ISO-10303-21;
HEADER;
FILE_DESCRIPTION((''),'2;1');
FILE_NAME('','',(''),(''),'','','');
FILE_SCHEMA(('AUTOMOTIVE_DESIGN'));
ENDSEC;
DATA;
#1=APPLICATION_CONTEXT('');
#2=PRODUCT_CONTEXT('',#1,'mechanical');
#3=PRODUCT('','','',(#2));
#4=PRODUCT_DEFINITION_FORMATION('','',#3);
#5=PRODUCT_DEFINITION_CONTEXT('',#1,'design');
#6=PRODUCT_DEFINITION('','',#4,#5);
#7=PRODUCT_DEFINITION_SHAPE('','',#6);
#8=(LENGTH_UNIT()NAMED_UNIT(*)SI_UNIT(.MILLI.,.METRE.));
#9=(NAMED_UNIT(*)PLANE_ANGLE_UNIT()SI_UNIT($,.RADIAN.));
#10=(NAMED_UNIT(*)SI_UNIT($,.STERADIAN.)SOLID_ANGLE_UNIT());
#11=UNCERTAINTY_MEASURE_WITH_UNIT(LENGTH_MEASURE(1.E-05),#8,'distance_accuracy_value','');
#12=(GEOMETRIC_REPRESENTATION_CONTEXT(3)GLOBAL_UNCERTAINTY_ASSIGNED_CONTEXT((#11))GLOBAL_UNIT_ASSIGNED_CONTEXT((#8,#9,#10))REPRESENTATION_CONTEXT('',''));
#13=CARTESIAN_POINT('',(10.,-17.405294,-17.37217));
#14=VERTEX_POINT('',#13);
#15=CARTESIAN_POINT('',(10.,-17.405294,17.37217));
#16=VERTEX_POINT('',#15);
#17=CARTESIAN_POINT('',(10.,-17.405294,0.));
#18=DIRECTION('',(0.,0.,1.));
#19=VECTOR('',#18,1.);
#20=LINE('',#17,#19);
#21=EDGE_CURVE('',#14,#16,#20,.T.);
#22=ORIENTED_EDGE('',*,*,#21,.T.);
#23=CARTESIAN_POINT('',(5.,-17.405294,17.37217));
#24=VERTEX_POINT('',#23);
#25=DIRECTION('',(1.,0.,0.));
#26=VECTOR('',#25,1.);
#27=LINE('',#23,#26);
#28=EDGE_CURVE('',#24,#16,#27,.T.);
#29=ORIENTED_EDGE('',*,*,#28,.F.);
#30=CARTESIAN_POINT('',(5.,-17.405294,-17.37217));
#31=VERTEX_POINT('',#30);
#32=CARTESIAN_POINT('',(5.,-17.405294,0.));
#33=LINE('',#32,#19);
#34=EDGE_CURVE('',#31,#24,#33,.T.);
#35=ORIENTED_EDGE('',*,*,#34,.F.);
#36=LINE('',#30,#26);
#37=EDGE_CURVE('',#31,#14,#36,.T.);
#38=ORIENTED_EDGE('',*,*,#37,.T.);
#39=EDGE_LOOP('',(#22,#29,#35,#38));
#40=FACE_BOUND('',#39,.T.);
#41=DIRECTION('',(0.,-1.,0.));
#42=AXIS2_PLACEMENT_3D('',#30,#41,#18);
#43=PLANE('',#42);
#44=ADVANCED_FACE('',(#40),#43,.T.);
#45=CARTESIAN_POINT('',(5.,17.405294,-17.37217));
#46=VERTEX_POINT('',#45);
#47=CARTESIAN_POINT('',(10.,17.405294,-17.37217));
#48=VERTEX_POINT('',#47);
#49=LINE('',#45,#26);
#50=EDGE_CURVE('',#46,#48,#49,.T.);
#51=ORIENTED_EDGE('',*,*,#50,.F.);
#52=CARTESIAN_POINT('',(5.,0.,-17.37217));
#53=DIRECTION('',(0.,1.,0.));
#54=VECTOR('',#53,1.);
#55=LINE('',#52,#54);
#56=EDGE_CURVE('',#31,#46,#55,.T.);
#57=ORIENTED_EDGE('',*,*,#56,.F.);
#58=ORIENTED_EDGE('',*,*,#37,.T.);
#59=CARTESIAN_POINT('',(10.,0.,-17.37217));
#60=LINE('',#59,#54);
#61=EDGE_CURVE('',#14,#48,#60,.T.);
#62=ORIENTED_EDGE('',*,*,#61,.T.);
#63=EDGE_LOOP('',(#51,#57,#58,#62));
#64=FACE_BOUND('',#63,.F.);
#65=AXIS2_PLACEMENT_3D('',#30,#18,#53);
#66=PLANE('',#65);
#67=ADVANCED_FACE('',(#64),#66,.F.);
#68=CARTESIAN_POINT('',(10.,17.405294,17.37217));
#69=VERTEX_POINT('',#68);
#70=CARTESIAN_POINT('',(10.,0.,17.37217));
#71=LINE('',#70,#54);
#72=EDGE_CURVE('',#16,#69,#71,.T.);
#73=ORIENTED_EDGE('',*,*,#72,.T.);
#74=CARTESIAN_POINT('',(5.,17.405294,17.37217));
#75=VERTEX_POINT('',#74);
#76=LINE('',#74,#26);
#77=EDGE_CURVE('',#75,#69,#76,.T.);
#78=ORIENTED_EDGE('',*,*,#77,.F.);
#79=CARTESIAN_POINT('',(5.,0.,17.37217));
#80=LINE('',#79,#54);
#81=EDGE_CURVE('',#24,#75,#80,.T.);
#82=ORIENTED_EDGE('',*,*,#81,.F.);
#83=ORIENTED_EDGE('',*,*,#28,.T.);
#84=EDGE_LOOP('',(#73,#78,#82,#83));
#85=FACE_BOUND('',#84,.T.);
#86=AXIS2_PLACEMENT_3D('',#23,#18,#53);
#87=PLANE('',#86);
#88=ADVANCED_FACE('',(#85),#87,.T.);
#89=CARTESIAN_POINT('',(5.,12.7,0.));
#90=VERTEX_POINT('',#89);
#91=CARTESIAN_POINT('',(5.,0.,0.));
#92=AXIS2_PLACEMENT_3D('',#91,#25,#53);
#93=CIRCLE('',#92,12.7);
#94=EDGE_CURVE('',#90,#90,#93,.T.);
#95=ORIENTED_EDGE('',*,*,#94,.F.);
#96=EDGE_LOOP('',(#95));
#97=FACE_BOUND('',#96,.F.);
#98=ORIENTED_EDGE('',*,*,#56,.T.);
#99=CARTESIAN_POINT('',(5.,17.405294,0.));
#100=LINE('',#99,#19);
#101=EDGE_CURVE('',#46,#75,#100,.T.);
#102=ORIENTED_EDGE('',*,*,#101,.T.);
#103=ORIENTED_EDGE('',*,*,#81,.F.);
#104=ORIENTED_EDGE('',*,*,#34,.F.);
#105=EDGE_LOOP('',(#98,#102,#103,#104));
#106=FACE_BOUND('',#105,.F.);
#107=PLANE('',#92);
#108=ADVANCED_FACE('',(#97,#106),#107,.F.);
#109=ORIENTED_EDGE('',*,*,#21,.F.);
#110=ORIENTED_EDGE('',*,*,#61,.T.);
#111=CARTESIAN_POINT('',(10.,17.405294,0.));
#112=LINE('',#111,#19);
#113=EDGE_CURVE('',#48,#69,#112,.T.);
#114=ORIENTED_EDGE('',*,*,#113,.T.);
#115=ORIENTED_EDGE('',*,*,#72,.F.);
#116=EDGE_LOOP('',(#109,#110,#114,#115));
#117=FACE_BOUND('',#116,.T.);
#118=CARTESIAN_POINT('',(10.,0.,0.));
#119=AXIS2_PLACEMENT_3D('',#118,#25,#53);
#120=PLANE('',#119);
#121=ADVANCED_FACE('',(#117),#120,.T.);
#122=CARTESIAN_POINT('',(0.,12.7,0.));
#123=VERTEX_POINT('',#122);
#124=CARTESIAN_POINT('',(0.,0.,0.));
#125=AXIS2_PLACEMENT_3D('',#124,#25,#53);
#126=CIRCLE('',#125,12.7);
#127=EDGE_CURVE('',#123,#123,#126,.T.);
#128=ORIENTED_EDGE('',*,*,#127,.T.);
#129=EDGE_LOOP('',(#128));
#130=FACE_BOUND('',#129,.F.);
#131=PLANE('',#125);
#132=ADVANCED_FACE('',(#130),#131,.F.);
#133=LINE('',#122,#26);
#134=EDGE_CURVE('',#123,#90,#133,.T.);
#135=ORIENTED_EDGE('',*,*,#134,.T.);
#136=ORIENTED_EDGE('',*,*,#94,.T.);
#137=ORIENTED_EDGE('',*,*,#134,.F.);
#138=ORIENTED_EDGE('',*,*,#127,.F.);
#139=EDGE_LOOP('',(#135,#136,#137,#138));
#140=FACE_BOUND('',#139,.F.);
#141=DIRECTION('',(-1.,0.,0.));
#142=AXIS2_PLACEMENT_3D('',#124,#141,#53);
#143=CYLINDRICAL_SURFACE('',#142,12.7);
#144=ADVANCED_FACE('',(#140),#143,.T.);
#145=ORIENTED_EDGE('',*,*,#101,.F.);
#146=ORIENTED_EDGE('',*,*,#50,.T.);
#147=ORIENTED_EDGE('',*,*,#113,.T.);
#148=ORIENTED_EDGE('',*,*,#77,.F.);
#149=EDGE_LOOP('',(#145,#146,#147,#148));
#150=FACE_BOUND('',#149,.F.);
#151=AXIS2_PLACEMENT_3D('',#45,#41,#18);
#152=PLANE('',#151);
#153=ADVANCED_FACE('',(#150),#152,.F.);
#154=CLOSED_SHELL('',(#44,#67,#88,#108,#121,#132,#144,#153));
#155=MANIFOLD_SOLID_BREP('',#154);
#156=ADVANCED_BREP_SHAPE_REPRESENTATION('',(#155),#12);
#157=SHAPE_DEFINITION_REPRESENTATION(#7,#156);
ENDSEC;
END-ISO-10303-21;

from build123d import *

# Parameters (mm, degrees)
F0_R     = 12.7
F1_DEPTH = 5
F2_W     = 34.810588
F2_H     = 34.74434
F3_DEPTH = 5


with BuildPart() as f1:
    # F0 (on Right) → F1 (new body)
    with BuildSketch(Plane.YZ):
        Circle(F0_R)
    extrude(amount=F1_DEPTH)

    # F2 (on face) → F3 (join)
    with BuildSketch(Plane.YZ.offset(5)):
        Rectangle(F2_W, F2_H)
    extrude(amount=F3_DEPTH)


solid = f1.part
